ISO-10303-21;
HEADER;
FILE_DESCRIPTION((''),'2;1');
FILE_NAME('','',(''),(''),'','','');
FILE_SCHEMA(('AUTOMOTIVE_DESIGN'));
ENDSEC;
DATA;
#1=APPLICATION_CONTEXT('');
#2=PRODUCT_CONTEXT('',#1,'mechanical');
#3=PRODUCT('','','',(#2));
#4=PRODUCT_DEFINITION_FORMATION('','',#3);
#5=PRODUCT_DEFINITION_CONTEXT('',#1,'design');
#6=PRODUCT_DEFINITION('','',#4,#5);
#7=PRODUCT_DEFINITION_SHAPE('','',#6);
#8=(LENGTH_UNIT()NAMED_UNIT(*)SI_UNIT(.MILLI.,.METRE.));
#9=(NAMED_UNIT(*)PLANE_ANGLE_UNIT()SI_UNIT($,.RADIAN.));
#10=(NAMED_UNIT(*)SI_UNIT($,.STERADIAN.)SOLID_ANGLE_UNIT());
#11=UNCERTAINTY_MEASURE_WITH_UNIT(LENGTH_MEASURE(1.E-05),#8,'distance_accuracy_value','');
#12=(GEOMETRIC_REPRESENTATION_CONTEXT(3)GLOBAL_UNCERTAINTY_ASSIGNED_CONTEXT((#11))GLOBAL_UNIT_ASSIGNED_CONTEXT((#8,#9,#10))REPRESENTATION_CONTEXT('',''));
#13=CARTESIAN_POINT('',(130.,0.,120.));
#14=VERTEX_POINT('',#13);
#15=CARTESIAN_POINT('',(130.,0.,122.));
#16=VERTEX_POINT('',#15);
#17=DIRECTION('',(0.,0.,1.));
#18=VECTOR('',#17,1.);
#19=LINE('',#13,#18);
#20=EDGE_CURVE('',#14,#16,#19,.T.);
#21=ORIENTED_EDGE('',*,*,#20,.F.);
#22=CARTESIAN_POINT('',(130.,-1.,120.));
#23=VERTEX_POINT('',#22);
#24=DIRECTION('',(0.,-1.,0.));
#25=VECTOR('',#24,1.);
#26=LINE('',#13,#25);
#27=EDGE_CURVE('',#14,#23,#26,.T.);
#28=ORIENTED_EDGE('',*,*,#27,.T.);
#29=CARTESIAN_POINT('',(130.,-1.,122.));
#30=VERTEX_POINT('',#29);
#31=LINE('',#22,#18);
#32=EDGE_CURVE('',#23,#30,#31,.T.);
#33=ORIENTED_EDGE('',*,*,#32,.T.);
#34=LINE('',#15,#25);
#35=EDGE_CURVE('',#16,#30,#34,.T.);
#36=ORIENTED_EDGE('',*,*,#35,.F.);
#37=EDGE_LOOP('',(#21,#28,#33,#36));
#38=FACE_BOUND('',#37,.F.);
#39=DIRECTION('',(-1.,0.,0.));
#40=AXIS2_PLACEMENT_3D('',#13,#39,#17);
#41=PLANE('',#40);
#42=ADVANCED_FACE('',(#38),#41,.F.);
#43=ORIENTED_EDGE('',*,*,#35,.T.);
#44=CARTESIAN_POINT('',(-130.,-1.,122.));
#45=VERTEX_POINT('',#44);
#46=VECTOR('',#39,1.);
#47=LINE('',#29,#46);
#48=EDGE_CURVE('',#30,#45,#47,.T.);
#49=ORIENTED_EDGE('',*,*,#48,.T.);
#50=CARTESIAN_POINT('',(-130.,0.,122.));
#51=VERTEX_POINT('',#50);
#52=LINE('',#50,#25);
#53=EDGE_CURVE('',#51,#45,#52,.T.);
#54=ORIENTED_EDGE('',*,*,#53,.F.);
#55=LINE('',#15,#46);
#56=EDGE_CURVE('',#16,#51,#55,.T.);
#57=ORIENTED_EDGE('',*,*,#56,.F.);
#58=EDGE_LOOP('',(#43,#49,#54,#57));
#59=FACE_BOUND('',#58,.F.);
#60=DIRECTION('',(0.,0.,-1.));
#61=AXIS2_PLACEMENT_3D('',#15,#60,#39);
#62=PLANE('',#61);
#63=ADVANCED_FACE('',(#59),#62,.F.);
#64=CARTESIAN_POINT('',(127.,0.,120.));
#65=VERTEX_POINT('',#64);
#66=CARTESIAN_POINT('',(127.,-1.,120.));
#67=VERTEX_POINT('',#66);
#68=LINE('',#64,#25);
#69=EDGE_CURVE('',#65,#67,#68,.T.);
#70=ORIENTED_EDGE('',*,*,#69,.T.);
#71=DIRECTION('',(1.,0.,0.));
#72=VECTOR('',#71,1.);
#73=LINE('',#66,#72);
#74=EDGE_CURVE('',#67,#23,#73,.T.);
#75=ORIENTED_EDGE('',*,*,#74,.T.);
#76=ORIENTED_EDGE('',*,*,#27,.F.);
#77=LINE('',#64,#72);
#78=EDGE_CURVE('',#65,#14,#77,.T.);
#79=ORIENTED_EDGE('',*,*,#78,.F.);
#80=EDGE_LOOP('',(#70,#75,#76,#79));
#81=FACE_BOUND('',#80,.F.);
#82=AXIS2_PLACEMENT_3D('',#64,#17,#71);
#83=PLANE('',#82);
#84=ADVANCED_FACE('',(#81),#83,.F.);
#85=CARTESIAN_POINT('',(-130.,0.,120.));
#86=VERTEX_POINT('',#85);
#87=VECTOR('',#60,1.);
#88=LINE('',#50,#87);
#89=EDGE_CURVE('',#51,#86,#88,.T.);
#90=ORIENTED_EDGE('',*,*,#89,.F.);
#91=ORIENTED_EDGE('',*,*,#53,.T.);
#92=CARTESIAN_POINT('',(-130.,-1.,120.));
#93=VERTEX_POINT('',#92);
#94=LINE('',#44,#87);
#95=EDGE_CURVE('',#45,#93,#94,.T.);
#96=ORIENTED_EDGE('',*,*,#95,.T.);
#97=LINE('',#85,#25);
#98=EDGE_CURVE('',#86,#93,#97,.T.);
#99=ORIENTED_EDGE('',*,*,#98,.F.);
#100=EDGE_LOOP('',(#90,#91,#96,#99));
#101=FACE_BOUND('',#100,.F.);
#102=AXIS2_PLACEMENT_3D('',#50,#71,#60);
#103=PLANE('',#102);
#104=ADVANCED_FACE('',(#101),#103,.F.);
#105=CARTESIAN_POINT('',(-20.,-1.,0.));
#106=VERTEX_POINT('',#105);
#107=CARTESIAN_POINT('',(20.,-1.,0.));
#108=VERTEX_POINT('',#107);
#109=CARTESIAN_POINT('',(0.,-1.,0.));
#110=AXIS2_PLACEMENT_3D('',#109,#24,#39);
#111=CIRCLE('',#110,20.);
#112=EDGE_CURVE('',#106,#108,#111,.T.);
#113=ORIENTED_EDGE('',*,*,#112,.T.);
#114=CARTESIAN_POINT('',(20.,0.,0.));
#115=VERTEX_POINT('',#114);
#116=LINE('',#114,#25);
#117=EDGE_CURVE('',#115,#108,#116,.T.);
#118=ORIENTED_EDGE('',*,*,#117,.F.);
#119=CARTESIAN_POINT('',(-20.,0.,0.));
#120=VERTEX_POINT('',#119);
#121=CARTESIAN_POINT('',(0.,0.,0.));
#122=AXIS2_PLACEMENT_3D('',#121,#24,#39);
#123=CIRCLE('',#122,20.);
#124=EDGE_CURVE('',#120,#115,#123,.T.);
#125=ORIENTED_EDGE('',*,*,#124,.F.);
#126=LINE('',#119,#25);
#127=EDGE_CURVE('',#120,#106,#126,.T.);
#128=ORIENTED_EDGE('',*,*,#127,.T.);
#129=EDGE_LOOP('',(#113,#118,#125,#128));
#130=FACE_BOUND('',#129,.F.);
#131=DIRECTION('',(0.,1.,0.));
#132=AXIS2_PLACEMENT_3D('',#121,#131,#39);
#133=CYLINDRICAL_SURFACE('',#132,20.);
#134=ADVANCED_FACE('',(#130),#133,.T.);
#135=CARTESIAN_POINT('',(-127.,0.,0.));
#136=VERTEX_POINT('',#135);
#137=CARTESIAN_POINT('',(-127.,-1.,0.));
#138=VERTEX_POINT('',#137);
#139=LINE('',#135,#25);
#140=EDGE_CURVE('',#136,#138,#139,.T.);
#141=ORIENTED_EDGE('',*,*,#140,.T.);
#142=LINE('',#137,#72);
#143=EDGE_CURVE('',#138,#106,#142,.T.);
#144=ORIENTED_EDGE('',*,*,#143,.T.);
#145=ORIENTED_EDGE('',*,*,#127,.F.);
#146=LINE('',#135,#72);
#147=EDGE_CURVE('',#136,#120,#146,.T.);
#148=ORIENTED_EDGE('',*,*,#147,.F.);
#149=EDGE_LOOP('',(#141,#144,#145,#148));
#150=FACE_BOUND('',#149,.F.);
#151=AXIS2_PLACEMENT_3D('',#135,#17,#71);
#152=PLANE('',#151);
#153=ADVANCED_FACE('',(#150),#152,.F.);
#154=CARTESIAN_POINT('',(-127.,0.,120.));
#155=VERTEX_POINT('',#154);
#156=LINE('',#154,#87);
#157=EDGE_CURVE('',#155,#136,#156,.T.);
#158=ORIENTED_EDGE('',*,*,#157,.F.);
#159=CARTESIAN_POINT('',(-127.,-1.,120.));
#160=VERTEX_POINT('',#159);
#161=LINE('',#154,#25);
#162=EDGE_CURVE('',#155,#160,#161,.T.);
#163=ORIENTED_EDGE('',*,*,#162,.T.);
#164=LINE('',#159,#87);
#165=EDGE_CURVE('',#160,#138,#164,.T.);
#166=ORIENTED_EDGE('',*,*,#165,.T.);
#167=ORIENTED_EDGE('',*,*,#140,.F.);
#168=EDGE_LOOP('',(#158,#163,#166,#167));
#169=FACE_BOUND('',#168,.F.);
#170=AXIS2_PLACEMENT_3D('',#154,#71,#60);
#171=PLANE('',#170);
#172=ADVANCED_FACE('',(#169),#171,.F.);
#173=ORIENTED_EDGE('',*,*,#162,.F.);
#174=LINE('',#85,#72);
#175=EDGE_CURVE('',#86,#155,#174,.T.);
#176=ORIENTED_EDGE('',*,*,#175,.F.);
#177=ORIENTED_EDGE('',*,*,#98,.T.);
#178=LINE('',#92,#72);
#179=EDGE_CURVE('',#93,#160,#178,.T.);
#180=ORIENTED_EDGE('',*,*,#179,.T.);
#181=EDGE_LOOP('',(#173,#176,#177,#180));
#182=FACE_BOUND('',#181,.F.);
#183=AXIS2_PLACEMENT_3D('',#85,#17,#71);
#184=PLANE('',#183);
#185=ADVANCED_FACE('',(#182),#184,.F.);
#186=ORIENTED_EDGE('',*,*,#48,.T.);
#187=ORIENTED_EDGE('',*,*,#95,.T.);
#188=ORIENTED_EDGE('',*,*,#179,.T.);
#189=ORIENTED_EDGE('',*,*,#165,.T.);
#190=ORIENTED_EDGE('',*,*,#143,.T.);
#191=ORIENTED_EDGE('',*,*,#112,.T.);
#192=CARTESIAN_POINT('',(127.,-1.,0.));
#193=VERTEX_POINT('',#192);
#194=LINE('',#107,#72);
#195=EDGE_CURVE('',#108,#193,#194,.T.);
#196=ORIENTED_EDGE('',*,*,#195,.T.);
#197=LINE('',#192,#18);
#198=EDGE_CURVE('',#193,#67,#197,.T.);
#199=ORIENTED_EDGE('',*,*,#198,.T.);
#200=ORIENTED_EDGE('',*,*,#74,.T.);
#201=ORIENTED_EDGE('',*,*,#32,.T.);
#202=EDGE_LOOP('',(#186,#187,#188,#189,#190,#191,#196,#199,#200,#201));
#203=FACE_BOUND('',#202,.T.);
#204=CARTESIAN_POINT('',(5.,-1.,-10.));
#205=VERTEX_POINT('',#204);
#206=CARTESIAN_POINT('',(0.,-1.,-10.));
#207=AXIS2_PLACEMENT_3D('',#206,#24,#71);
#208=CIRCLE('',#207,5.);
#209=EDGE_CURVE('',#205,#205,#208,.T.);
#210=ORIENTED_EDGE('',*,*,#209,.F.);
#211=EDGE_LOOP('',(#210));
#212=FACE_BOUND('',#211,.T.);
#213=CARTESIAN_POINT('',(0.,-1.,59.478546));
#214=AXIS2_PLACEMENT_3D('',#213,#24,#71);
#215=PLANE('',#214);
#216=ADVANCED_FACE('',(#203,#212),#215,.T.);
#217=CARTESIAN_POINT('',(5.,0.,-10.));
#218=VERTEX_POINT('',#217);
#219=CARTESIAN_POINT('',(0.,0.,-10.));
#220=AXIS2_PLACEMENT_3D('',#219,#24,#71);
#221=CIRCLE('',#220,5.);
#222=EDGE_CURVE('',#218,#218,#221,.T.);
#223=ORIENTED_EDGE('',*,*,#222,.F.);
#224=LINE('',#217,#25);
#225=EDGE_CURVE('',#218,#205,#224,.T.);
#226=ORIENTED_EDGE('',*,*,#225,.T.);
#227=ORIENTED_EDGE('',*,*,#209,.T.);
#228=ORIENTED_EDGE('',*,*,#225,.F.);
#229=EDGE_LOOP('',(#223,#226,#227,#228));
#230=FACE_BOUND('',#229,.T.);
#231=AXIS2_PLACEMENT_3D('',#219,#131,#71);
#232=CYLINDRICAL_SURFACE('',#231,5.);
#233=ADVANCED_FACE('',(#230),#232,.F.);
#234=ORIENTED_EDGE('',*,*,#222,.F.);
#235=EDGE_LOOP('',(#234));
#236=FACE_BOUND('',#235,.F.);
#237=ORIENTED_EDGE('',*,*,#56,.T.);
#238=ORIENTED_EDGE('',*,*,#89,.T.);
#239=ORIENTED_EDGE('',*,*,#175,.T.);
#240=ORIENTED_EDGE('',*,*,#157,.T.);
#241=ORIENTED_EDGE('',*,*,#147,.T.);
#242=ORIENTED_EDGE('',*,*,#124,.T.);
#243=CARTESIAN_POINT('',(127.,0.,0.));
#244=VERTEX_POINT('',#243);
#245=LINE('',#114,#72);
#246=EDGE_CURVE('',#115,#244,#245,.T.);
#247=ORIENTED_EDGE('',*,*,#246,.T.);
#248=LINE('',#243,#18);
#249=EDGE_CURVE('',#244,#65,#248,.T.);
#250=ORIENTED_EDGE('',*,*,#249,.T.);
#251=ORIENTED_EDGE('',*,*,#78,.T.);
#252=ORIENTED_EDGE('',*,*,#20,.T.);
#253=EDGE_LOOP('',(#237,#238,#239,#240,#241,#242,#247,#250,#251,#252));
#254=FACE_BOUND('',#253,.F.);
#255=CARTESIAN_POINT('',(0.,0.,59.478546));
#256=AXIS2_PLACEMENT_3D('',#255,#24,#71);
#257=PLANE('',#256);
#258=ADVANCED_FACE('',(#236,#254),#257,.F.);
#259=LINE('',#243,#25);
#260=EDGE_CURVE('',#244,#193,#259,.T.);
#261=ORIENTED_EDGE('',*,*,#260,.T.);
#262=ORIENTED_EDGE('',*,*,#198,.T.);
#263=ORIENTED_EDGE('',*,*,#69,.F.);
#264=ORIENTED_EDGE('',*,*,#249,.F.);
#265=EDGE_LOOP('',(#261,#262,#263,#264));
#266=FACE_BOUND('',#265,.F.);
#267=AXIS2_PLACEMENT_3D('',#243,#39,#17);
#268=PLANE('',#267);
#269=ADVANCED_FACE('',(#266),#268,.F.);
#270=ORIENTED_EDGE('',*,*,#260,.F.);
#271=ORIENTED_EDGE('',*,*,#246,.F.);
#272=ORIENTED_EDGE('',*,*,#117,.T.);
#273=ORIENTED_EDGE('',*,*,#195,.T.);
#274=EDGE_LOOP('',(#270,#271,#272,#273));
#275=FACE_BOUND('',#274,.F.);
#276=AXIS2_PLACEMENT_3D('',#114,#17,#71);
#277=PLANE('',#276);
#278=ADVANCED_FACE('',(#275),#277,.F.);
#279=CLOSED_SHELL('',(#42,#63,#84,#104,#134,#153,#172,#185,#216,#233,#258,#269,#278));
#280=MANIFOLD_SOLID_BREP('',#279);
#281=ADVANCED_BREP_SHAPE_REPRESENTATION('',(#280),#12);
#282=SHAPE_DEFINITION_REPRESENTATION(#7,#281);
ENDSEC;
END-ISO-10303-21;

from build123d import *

# Parameters (mm, degrees)
F0_R     = 5
F1_DEPTH = 1


with BuildPart() as f1:
    # F0 (on Front) → F1 (new body)
    with BuildSketch(Plane.XZ):
        with BuildLine():
            Line((-130, 120), (-127, 120))
            Line((-127, 120), (-127, 0))
            Line((-127, 0), (-20, 0))
            ThreePointArc((-20, 0), (0, -20), (20, 0))
            Line((20, 0), (127, 0))
            Line((127, 0), (127, 120))
            Line((127, 120), (130, 120))
            Line((130, 120), (130, 122))
            Line((130, 122), (-130, 122))
            Line((-130, 122), (-130, 120))
        make_face()
        with Locations((0, -10)):
            Circle(F0_R, mode=Mode.SUBTRACT)
    extrude(amount=F1_DEPTH)


solid = f1.part
